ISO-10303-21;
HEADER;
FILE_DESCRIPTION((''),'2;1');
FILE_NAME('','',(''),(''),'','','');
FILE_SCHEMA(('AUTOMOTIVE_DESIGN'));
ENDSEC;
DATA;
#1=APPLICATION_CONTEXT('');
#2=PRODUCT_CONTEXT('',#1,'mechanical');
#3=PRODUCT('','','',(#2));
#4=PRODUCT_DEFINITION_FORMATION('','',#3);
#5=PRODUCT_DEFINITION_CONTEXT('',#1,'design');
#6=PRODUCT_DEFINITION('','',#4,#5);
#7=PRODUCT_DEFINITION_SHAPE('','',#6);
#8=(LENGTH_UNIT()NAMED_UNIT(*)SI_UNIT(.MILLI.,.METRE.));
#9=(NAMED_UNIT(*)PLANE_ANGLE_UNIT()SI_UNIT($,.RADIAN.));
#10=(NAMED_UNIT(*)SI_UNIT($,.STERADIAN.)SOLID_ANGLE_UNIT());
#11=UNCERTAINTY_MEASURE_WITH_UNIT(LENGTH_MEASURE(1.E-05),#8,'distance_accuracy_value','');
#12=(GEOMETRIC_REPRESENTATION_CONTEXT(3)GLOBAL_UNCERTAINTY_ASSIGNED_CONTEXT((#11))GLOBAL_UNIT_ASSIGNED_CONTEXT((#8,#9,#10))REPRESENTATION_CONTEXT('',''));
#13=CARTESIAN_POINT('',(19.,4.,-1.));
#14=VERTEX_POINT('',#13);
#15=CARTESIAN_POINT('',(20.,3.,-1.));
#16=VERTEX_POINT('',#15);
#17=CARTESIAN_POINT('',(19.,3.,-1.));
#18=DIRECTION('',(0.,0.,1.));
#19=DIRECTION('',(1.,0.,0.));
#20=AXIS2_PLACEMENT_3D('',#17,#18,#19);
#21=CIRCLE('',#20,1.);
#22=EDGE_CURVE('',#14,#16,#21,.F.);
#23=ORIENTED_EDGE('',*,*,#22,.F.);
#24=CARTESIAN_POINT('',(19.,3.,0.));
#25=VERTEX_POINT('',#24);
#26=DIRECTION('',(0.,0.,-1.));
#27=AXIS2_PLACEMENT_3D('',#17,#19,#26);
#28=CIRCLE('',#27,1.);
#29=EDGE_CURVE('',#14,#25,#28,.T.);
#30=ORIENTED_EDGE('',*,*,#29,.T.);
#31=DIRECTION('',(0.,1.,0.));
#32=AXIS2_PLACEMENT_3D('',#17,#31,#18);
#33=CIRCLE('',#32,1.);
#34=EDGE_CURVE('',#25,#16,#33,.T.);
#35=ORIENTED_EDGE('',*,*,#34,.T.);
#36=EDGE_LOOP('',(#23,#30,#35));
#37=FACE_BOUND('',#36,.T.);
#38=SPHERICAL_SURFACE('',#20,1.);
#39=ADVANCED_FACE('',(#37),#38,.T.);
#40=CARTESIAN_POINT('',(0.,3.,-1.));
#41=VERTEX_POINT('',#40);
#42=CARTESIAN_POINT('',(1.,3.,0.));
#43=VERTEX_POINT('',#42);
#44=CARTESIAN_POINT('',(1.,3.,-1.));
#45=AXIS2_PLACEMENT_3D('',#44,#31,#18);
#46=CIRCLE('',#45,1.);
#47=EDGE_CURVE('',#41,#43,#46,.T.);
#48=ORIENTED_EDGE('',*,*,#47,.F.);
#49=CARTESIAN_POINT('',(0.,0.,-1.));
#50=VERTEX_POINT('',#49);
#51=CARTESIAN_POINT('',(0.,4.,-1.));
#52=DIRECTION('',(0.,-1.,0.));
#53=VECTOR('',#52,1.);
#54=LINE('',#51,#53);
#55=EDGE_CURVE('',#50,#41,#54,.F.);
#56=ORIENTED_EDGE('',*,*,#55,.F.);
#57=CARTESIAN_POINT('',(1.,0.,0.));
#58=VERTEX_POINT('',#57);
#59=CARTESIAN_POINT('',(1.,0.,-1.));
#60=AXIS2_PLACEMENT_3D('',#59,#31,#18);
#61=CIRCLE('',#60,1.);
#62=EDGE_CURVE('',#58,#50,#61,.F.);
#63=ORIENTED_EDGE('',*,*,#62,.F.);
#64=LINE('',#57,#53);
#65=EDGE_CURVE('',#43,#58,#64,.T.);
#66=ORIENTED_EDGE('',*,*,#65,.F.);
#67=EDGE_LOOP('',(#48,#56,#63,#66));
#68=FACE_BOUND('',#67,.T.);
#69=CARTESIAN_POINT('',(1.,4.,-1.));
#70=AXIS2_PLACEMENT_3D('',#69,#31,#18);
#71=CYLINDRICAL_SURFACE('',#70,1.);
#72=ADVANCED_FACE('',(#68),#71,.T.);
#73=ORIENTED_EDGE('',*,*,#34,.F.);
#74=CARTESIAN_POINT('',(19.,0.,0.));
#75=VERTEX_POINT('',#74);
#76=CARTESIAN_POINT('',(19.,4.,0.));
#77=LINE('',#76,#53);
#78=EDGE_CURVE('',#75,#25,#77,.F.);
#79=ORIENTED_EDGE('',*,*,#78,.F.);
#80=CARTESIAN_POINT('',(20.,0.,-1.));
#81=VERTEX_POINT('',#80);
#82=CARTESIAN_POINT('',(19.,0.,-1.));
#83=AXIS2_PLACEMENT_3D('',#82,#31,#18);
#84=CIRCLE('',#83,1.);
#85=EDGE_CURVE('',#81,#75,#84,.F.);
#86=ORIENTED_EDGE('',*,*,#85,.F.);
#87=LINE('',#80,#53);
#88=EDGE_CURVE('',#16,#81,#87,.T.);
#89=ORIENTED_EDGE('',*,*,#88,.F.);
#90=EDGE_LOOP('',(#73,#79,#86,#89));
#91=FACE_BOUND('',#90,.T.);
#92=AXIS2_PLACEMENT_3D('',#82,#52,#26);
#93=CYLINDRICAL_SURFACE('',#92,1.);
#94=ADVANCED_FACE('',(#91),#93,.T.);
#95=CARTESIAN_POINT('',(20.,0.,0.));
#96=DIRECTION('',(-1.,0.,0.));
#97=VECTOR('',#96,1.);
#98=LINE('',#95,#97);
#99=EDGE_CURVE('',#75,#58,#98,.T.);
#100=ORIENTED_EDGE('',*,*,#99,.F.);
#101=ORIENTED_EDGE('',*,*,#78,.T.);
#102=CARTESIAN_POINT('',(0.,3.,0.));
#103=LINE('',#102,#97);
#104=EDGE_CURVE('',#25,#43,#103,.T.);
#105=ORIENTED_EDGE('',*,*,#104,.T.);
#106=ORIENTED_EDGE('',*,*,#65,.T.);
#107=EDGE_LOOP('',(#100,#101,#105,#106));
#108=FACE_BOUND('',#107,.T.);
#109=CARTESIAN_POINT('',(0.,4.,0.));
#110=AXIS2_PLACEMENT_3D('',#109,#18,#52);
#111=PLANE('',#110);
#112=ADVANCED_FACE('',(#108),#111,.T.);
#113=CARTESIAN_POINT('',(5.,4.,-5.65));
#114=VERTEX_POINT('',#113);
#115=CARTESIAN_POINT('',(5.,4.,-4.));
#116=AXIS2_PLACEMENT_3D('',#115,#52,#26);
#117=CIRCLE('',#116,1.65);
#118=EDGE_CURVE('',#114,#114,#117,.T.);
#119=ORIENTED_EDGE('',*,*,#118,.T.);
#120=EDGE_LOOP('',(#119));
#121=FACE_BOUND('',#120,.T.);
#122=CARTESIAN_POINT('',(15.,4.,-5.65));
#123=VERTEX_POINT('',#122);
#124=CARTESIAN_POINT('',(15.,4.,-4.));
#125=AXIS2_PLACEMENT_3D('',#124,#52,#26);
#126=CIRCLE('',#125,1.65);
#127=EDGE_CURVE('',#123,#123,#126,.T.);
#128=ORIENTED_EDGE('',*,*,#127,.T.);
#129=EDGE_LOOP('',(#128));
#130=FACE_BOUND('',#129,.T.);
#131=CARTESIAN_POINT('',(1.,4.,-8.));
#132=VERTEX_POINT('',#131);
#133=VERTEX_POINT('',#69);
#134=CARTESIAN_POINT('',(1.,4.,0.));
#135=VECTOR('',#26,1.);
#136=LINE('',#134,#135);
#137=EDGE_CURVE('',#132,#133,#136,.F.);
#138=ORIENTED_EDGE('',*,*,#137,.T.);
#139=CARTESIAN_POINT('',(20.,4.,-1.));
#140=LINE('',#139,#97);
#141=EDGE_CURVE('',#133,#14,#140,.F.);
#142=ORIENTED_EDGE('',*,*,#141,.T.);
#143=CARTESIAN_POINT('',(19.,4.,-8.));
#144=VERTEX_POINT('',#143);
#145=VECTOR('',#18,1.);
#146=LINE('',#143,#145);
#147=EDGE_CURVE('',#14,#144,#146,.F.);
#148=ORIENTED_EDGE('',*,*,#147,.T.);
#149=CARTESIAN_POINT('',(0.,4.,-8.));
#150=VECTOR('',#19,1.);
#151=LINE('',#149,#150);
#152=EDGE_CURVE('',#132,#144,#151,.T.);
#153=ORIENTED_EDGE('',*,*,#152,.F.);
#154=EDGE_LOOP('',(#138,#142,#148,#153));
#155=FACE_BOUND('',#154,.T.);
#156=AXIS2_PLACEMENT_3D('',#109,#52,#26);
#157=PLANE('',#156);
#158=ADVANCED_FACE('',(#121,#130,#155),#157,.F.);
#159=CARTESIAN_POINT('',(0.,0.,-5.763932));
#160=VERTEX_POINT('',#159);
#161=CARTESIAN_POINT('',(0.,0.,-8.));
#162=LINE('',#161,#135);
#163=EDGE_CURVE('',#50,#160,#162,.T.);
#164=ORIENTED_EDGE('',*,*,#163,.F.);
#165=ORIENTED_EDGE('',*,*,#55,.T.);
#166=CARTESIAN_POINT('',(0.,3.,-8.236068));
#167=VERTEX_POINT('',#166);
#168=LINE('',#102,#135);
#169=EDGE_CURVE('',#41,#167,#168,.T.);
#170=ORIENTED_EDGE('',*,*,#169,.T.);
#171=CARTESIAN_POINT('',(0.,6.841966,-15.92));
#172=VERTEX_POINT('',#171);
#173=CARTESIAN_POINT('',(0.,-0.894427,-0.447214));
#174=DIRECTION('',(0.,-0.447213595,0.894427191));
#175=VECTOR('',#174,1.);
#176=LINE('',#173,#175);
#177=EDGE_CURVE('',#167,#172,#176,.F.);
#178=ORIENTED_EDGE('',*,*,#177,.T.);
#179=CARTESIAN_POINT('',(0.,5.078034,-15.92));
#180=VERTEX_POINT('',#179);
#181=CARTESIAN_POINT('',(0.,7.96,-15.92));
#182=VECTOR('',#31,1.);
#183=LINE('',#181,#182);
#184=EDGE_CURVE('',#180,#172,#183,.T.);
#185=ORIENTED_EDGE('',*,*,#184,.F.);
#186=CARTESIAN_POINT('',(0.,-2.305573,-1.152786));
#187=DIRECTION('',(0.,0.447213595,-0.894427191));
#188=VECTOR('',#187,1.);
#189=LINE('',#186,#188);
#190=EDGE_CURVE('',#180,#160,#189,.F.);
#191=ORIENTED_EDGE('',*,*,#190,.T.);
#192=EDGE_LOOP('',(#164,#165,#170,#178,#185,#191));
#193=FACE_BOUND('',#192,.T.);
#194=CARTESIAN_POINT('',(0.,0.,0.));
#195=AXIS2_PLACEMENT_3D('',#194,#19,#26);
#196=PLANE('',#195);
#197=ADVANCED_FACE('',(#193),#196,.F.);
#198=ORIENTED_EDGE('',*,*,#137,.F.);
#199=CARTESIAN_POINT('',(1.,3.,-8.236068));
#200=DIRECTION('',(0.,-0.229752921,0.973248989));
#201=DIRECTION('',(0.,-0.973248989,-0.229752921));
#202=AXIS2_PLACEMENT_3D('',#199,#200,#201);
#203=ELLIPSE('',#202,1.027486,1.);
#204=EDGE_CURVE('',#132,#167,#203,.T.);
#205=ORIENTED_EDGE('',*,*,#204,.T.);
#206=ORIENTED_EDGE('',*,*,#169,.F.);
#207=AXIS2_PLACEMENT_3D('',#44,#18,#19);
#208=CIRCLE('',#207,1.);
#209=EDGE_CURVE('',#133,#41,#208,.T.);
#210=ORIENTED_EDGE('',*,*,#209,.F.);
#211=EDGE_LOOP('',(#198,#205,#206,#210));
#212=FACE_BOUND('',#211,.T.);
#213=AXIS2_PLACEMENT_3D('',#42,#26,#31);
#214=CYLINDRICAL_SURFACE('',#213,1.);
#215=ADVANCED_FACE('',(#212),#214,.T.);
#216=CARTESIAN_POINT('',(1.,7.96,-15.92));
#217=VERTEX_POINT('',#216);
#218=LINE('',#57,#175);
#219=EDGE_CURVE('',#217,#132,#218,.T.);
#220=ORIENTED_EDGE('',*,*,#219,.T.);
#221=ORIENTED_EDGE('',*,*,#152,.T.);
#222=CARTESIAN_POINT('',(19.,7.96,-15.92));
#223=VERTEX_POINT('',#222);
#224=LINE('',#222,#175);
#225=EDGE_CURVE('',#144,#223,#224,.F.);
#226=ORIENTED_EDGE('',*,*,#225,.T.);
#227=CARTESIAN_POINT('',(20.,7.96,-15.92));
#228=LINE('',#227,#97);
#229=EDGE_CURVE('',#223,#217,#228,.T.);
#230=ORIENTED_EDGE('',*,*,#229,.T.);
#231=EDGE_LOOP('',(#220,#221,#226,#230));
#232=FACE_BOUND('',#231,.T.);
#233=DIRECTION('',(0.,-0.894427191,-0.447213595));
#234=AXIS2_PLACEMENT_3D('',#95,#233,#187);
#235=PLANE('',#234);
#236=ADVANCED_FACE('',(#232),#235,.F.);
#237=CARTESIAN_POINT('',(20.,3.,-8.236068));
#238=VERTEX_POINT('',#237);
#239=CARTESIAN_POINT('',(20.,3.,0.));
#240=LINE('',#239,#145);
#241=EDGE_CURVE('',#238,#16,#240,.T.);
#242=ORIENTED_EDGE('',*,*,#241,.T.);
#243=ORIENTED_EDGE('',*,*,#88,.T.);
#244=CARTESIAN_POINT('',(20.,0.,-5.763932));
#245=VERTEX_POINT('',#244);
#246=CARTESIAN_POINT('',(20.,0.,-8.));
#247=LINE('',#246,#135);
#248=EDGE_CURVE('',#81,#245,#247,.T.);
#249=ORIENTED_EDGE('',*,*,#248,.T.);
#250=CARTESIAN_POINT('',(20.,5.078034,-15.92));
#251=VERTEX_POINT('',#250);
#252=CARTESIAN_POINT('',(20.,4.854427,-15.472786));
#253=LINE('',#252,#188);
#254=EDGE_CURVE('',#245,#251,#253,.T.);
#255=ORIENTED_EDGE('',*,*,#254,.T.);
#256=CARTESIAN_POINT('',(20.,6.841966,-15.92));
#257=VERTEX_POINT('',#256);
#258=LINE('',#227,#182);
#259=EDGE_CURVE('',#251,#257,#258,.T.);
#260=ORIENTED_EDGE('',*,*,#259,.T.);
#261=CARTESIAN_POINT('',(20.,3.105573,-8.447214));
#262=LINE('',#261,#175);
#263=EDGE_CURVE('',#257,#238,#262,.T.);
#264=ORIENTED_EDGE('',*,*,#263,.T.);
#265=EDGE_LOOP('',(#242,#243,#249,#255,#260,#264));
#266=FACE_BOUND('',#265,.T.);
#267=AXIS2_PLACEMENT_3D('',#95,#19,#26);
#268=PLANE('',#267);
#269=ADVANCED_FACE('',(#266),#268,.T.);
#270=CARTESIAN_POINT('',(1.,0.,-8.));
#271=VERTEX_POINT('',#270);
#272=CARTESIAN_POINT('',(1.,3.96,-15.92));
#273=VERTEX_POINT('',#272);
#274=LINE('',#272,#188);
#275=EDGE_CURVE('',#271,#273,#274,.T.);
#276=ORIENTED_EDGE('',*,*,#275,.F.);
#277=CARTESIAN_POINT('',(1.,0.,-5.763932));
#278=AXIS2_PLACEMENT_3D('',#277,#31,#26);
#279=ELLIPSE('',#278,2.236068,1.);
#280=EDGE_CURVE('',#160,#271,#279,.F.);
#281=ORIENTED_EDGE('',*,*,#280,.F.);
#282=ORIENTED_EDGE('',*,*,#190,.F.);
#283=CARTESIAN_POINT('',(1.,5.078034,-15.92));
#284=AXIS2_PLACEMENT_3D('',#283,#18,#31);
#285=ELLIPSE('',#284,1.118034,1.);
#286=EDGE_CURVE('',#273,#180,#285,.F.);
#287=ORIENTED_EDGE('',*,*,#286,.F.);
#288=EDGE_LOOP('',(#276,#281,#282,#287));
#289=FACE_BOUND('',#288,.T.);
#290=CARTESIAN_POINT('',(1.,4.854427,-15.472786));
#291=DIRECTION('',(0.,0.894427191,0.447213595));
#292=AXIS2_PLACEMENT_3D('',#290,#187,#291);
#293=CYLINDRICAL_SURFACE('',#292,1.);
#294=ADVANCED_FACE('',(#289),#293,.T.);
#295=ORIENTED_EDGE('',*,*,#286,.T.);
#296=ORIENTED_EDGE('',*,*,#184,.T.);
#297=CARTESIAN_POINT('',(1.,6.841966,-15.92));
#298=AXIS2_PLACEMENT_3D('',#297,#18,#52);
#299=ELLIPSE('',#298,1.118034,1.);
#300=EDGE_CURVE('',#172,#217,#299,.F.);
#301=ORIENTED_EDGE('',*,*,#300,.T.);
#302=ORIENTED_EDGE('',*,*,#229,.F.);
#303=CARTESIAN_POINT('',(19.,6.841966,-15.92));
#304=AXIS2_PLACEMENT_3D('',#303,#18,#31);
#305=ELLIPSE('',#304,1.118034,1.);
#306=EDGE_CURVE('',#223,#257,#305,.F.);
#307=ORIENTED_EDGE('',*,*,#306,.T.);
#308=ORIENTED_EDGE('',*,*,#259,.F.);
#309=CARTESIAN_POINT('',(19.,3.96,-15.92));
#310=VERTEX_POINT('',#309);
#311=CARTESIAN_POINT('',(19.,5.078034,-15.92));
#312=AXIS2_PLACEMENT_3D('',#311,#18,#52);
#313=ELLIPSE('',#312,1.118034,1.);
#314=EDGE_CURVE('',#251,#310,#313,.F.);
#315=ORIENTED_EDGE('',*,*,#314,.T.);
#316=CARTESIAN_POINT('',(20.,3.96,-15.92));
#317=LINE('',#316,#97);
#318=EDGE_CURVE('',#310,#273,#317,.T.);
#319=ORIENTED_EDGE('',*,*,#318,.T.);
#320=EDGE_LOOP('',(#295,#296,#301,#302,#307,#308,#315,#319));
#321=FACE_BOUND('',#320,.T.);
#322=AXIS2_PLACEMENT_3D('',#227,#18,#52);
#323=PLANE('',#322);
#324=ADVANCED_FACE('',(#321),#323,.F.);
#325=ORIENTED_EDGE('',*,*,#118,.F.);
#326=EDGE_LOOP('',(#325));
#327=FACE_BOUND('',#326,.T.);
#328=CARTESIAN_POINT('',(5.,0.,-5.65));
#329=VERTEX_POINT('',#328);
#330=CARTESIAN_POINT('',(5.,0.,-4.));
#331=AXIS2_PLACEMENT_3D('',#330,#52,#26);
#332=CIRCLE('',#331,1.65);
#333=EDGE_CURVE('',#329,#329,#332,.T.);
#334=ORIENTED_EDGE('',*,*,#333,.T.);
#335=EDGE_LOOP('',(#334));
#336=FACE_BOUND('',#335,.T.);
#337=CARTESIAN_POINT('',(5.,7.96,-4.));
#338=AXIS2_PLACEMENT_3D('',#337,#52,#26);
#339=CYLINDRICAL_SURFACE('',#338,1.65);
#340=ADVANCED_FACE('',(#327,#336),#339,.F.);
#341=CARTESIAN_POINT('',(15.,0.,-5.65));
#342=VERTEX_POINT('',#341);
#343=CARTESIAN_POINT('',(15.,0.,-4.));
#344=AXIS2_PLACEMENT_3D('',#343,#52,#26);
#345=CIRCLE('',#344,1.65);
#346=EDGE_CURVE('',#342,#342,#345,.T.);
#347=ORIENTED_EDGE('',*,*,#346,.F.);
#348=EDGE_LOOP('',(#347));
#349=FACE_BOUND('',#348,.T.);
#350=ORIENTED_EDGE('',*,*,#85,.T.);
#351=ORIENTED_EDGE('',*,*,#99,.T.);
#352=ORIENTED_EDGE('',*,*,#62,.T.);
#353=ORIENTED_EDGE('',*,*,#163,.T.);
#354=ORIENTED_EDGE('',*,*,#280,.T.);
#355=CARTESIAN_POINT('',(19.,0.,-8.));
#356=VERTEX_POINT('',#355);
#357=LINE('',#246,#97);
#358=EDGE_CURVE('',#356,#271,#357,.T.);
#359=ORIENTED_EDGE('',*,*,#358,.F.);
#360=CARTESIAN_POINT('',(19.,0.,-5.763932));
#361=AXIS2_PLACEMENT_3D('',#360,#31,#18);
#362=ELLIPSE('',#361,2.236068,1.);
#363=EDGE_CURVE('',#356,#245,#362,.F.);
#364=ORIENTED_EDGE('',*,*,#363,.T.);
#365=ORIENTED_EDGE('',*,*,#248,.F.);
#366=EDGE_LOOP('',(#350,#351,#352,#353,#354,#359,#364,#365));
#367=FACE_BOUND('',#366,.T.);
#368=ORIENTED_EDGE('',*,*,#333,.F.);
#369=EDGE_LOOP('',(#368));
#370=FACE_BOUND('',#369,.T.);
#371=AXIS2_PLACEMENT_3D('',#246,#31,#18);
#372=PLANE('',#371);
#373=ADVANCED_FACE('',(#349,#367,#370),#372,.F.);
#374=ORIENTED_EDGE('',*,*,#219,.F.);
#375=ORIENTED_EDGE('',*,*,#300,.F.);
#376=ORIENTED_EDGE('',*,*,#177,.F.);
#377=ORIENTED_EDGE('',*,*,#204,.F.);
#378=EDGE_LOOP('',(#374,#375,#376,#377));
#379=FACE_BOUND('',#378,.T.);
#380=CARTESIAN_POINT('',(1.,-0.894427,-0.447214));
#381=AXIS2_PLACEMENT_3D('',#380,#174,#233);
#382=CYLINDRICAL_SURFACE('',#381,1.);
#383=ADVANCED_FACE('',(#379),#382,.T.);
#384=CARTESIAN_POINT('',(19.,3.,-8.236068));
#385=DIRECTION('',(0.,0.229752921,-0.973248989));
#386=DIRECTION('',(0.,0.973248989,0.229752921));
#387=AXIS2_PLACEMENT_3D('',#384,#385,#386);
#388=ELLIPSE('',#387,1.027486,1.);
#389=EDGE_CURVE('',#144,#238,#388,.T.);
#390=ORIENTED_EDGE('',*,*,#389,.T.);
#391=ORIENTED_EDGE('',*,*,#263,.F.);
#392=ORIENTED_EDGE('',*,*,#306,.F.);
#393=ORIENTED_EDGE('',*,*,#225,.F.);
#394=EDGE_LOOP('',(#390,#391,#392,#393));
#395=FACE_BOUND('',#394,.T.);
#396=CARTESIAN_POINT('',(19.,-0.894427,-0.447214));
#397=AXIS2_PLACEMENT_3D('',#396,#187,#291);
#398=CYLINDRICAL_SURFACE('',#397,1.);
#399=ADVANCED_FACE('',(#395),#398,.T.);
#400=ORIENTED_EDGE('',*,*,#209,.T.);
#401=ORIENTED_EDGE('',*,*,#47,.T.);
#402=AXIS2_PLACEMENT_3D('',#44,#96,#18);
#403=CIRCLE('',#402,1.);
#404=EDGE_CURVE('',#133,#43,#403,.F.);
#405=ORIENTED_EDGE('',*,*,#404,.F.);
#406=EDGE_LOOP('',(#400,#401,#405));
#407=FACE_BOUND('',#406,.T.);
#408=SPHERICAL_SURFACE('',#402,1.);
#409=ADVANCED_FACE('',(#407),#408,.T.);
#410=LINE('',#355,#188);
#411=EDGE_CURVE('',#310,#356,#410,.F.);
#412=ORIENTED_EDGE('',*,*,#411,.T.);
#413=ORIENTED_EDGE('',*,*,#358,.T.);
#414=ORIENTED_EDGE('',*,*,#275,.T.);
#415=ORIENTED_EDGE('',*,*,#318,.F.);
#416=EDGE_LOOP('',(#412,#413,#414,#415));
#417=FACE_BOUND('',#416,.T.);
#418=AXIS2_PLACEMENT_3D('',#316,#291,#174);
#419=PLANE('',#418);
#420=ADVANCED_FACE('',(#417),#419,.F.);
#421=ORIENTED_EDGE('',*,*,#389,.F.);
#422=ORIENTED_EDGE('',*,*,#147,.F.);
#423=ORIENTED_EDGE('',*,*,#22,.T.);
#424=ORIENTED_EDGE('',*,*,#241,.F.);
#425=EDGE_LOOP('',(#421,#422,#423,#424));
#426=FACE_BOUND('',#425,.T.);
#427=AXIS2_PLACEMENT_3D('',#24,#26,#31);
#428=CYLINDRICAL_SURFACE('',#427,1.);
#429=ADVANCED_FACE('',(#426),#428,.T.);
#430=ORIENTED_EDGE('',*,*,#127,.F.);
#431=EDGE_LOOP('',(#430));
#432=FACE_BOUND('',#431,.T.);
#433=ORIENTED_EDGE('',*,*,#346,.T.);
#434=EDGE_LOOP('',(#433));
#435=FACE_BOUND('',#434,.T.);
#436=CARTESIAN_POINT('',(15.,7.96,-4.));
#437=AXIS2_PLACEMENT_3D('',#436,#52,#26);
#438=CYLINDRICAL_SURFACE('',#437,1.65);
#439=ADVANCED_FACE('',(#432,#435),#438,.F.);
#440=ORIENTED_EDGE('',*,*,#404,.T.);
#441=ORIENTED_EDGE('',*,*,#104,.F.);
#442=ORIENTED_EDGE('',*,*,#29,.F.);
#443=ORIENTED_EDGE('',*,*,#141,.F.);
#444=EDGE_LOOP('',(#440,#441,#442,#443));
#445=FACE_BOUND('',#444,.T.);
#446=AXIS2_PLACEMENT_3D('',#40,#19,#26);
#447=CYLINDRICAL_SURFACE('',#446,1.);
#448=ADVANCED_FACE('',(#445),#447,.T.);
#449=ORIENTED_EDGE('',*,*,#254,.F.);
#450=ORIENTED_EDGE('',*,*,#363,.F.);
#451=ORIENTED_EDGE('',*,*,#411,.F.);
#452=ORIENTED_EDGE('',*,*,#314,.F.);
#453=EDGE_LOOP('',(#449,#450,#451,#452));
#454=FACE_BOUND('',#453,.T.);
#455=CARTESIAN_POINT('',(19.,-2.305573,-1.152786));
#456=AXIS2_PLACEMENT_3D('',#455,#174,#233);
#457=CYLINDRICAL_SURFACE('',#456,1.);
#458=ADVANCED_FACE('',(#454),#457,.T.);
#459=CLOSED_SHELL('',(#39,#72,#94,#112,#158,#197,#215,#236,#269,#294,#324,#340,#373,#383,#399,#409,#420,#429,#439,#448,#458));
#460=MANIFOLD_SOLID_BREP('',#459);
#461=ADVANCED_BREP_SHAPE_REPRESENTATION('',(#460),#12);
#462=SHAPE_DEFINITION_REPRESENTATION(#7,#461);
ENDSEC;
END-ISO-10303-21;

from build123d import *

# Parameters (mm, degrees)
RESSALTO_EXTRUS_O2_DEPTH = 20
ESBO_O6_W                = 20
ESBO_O6_H                = 8
RESSALTO_EXTRUS_O3_DEPTH = 4
ESBO_O5_R                = 1.65
CORTE_EXTRUS_O2_DEPTH    = 27.773270252
FILETE1_R                = 1


with BuildPart() as part:
    # Esboço4 → Ressalto-extrusão2 (new body)
    with BuildSketch(Plane(origin=(0, 0, 0), x_dir=(0, 0, -1), z_dir=(1, 0, 0))):
        Polygon((0, 0), (15.92, 7.96), (15.92, 3.96), (8, 0), align=None)
    extrude(amount=RESSALTO_EXTRUS_O2_DEPTH)

    # Esboço6 → Ressalto-extrusão3 (add)
    with BuildSketch(Plane.XZ):
        with Locations((10, -4)):
            Rectangle(ESBO_O6_W, ESBO_O6_H)
    extrude(amount=-RESSALTO_EXTRUS_O3_DEPTH)

    # Esboço5 → Corte-extrusão2 (cut, through all)
    with BuildSketch(Plane.XZ):
        with Locations(Location((5, -4, 0), (0, 0, 270))):
            Circle(ESBO_O5_R)
        with Locations(Location((15, -4, 0), (0, 0, 270))):
            Circle(ESBO_O5_R)
    extrude(amount=-CORTE_EXTRUS_O2_DEPTH, mode=Mode.SUBTRACT)

    # Filete1
    filete1_edges = [part.edges().sort_by_distance(p)[0] for p in [
        (20, 5.98, -11.96),
        (0, 4, -4),
        (20, 4, -4),
        (20, 2, 0),
        (10, 4, 0),
        (0, 2, 0),
        (0, 5.98, -11.96),
        (0, 1.98, -11.96),
        (20, 1.98, -11.96),
    ]]
    fillet(filete1_edges, radius=FILETE1_R)


solid = part.part
